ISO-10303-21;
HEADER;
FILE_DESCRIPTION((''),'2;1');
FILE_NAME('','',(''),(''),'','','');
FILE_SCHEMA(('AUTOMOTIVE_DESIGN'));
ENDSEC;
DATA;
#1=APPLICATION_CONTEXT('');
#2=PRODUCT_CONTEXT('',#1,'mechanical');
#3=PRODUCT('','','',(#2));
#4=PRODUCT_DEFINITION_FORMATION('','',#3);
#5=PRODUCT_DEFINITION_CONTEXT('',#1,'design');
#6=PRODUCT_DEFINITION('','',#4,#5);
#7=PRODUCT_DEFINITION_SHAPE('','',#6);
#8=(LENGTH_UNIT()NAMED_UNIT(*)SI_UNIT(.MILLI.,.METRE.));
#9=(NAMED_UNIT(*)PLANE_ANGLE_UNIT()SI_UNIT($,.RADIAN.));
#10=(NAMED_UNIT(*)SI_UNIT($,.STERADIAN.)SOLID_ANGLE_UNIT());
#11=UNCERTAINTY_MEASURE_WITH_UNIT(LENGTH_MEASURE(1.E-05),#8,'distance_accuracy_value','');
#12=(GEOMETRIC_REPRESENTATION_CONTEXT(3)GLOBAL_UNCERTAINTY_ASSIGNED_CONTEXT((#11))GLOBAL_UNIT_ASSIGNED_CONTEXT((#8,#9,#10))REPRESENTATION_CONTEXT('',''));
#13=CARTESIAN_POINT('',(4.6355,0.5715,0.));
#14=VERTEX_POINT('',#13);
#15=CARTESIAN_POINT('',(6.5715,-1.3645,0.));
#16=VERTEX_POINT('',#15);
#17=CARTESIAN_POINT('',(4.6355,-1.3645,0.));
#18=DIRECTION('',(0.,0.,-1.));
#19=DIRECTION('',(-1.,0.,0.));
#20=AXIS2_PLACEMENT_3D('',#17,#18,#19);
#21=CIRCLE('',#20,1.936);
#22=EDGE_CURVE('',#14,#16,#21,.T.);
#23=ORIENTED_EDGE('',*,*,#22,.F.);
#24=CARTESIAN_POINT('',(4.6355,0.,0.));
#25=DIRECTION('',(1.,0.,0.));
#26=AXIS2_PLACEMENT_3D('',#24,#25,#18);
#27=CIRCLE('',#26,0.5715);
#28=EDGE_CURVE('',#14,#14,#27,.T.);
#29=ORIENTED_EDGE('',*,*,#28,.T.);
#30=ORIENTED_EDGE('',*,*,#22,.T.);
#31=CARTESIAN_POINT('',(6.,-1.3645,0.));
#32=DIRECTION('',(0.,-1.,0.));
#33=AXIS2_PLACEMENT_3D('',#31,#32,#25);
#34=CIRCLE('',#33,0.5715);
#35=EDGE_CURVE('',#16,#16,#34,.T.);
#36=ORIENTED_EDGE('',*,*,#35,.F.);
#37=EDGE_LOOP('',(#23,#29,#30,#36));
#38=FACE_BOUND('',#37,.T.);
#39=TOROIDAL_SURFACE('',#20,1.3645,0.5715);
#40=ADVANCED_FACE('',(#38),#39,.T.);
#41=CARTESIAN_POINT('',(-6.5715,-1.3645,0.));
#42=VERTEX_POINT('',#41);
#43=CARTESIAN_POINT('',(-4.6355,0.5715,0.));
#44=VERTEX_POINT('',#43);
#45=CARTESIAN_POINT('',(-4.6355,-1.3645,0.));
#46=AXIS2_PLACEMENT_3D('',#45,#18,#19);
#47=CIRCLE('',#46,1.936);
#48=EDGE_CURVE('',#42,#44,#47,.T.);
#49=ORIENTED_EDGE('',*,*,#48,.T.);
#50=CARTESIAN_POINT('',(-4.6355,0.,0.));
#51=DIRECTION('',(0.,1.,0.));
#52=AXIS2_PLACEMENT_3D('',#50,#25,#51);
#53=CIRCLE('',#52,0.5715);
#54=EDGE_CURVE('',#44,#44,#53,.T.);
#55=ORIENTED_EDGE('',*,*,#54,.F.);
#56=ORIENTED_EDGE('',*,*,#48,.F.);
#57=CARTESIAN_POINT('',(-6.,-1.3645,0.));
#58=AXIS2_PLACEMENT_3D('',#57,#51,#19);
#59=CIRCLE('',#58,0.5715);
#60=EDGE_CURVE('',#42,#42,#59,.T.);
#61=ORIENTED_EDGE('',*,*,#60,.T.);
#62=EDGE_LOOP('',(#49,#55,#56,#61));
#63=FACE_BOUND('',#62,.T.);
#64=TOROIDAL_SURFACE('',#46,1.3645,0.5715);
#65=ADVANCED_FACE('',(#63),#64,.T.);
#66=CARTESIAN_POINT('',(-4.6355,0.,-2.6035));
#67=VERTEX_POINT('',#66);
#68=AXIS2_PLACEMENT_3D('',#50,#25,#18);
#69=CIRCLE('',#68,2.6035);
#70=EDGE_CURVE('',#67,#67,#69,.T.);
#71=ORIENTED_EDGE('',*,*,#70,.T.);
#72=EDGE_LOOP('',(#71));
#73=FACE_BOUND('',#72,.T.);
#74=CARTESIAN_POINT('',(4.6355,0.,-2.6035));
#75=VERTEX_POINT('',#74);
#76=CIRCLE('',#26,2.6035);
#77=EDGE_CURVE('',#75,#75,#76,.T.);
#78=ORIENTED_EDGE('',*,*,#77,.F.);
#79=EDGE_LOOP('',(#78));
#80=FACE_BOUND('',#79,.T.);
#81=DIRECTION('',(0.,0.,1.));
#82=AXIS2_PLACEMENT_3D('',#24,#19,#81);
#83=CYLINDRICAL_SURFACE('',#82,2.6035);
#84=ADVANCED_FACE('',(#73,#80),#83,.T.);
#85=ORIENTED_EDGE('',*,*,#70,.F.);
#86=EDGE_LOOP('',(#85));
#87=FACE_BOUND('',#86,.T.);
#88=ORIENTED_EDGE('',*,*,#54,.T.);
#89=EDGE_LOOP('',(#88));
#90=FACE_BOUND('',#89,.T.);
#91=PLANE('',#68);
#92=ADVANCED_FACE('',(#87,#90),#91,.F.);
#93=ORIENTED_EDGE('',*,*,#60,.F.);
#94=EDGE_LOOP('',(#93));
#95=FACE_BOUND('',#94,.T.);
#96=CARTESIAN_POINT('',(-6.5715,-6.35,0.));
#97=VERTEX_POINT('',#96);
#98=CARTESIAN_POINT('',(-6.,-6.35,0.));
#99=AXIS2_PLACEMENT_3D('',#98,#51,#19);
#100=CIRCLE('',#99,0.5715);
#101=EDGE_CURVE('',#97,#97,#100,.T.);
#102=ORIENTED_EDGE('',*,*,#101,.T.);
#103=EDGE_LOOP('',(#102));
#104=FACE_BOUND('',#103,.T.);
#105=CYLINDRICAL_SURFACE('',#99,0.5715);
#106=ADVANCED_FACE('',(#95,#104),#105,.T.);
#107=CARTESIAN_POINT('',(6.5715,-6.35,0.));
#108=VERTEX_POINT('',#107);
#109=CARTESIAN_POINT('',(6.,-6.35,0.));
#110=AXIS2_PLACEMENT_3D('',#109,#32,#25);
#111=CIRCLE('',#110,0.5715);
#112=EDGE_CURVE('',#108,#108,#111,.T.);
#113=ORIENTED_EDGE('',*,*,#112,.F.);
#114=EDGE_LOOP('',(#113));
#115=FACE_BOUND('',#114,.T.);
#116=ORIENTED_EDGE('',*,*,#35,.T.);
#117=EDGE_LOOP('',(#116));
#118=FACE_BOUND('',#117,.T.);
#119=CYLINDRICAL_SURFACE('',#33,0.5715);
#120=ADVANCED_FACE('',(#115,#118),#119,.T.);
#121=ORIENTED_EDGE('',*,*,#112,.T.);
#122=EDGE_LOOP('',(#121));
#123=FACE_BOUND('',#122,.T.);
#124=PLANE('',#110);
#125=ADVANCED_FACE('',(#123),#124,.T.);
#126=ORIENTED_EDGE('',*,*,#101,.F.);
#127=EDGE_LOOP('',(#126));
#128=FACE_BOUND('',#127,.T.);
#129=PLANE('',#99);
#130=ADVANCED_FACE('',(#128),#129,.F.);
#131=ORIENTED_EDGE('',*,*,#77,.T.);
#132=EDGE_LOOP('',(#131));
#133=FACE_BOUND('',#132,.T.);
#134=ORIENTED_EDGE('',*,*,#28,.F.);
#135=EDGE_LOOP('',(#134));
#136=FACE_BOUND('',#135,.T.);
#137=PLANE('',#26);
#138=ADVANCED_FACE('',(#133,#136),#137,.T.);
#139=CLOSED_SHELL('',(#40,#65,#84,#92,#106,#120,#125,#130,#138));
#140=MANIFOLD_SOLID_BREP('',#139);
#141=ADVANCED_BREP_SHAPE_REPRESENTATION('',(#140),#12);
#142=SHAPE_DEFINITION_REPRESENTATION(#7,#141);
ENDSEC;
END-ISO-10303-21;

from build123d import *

# Parameters (mm, degrees)
SKETCH1_R           = 2.6035
BOSS_EXTRUDE1_DEPTH = 4.6355
SKETCH3_R           = 0.5715


with BuildPart() as part:
    # Sketch1 → Boss-Extrude1 (new, symmetric)
    with BuildSketch(Plane(origin=(0, 0, 0), x_dir=(0, 0, -1), z_dir=(1, 0, 0))):
        Circle(SKETCH1_R)
    extrude(amount=BOSS_EXTRUDE1_DEPTH, both=True)

    # Sweep1: sweep along a path in Sketch2
    with BuildLine(Plane.XY) as sweep1_path:
        Line((-6, -6.35), (-6, -1.3645))
        ThreePointArc((-6, -1.3645), (-5.600347203, -0.399652797), (-4.6355, 0))
        Line((-4.6355, 0), (4.6355, 0))
        ThreePointArc((4.6355, 0), (5.600347203, -0.399652797), (6, -1.3645))
        Line((6, -1.3645), (6, -6.35))
    # Sketch3 → Sweep1 (sweep)
    with BuildSketch(Plane(origin=(-6, -6.35, 0), x_dir=(1, 0, 0), z_dir=(0, 1, 0))):
        Circle(SKETCH3_R)
    sweep(path=sweep1_path.line)


solid = part.part
